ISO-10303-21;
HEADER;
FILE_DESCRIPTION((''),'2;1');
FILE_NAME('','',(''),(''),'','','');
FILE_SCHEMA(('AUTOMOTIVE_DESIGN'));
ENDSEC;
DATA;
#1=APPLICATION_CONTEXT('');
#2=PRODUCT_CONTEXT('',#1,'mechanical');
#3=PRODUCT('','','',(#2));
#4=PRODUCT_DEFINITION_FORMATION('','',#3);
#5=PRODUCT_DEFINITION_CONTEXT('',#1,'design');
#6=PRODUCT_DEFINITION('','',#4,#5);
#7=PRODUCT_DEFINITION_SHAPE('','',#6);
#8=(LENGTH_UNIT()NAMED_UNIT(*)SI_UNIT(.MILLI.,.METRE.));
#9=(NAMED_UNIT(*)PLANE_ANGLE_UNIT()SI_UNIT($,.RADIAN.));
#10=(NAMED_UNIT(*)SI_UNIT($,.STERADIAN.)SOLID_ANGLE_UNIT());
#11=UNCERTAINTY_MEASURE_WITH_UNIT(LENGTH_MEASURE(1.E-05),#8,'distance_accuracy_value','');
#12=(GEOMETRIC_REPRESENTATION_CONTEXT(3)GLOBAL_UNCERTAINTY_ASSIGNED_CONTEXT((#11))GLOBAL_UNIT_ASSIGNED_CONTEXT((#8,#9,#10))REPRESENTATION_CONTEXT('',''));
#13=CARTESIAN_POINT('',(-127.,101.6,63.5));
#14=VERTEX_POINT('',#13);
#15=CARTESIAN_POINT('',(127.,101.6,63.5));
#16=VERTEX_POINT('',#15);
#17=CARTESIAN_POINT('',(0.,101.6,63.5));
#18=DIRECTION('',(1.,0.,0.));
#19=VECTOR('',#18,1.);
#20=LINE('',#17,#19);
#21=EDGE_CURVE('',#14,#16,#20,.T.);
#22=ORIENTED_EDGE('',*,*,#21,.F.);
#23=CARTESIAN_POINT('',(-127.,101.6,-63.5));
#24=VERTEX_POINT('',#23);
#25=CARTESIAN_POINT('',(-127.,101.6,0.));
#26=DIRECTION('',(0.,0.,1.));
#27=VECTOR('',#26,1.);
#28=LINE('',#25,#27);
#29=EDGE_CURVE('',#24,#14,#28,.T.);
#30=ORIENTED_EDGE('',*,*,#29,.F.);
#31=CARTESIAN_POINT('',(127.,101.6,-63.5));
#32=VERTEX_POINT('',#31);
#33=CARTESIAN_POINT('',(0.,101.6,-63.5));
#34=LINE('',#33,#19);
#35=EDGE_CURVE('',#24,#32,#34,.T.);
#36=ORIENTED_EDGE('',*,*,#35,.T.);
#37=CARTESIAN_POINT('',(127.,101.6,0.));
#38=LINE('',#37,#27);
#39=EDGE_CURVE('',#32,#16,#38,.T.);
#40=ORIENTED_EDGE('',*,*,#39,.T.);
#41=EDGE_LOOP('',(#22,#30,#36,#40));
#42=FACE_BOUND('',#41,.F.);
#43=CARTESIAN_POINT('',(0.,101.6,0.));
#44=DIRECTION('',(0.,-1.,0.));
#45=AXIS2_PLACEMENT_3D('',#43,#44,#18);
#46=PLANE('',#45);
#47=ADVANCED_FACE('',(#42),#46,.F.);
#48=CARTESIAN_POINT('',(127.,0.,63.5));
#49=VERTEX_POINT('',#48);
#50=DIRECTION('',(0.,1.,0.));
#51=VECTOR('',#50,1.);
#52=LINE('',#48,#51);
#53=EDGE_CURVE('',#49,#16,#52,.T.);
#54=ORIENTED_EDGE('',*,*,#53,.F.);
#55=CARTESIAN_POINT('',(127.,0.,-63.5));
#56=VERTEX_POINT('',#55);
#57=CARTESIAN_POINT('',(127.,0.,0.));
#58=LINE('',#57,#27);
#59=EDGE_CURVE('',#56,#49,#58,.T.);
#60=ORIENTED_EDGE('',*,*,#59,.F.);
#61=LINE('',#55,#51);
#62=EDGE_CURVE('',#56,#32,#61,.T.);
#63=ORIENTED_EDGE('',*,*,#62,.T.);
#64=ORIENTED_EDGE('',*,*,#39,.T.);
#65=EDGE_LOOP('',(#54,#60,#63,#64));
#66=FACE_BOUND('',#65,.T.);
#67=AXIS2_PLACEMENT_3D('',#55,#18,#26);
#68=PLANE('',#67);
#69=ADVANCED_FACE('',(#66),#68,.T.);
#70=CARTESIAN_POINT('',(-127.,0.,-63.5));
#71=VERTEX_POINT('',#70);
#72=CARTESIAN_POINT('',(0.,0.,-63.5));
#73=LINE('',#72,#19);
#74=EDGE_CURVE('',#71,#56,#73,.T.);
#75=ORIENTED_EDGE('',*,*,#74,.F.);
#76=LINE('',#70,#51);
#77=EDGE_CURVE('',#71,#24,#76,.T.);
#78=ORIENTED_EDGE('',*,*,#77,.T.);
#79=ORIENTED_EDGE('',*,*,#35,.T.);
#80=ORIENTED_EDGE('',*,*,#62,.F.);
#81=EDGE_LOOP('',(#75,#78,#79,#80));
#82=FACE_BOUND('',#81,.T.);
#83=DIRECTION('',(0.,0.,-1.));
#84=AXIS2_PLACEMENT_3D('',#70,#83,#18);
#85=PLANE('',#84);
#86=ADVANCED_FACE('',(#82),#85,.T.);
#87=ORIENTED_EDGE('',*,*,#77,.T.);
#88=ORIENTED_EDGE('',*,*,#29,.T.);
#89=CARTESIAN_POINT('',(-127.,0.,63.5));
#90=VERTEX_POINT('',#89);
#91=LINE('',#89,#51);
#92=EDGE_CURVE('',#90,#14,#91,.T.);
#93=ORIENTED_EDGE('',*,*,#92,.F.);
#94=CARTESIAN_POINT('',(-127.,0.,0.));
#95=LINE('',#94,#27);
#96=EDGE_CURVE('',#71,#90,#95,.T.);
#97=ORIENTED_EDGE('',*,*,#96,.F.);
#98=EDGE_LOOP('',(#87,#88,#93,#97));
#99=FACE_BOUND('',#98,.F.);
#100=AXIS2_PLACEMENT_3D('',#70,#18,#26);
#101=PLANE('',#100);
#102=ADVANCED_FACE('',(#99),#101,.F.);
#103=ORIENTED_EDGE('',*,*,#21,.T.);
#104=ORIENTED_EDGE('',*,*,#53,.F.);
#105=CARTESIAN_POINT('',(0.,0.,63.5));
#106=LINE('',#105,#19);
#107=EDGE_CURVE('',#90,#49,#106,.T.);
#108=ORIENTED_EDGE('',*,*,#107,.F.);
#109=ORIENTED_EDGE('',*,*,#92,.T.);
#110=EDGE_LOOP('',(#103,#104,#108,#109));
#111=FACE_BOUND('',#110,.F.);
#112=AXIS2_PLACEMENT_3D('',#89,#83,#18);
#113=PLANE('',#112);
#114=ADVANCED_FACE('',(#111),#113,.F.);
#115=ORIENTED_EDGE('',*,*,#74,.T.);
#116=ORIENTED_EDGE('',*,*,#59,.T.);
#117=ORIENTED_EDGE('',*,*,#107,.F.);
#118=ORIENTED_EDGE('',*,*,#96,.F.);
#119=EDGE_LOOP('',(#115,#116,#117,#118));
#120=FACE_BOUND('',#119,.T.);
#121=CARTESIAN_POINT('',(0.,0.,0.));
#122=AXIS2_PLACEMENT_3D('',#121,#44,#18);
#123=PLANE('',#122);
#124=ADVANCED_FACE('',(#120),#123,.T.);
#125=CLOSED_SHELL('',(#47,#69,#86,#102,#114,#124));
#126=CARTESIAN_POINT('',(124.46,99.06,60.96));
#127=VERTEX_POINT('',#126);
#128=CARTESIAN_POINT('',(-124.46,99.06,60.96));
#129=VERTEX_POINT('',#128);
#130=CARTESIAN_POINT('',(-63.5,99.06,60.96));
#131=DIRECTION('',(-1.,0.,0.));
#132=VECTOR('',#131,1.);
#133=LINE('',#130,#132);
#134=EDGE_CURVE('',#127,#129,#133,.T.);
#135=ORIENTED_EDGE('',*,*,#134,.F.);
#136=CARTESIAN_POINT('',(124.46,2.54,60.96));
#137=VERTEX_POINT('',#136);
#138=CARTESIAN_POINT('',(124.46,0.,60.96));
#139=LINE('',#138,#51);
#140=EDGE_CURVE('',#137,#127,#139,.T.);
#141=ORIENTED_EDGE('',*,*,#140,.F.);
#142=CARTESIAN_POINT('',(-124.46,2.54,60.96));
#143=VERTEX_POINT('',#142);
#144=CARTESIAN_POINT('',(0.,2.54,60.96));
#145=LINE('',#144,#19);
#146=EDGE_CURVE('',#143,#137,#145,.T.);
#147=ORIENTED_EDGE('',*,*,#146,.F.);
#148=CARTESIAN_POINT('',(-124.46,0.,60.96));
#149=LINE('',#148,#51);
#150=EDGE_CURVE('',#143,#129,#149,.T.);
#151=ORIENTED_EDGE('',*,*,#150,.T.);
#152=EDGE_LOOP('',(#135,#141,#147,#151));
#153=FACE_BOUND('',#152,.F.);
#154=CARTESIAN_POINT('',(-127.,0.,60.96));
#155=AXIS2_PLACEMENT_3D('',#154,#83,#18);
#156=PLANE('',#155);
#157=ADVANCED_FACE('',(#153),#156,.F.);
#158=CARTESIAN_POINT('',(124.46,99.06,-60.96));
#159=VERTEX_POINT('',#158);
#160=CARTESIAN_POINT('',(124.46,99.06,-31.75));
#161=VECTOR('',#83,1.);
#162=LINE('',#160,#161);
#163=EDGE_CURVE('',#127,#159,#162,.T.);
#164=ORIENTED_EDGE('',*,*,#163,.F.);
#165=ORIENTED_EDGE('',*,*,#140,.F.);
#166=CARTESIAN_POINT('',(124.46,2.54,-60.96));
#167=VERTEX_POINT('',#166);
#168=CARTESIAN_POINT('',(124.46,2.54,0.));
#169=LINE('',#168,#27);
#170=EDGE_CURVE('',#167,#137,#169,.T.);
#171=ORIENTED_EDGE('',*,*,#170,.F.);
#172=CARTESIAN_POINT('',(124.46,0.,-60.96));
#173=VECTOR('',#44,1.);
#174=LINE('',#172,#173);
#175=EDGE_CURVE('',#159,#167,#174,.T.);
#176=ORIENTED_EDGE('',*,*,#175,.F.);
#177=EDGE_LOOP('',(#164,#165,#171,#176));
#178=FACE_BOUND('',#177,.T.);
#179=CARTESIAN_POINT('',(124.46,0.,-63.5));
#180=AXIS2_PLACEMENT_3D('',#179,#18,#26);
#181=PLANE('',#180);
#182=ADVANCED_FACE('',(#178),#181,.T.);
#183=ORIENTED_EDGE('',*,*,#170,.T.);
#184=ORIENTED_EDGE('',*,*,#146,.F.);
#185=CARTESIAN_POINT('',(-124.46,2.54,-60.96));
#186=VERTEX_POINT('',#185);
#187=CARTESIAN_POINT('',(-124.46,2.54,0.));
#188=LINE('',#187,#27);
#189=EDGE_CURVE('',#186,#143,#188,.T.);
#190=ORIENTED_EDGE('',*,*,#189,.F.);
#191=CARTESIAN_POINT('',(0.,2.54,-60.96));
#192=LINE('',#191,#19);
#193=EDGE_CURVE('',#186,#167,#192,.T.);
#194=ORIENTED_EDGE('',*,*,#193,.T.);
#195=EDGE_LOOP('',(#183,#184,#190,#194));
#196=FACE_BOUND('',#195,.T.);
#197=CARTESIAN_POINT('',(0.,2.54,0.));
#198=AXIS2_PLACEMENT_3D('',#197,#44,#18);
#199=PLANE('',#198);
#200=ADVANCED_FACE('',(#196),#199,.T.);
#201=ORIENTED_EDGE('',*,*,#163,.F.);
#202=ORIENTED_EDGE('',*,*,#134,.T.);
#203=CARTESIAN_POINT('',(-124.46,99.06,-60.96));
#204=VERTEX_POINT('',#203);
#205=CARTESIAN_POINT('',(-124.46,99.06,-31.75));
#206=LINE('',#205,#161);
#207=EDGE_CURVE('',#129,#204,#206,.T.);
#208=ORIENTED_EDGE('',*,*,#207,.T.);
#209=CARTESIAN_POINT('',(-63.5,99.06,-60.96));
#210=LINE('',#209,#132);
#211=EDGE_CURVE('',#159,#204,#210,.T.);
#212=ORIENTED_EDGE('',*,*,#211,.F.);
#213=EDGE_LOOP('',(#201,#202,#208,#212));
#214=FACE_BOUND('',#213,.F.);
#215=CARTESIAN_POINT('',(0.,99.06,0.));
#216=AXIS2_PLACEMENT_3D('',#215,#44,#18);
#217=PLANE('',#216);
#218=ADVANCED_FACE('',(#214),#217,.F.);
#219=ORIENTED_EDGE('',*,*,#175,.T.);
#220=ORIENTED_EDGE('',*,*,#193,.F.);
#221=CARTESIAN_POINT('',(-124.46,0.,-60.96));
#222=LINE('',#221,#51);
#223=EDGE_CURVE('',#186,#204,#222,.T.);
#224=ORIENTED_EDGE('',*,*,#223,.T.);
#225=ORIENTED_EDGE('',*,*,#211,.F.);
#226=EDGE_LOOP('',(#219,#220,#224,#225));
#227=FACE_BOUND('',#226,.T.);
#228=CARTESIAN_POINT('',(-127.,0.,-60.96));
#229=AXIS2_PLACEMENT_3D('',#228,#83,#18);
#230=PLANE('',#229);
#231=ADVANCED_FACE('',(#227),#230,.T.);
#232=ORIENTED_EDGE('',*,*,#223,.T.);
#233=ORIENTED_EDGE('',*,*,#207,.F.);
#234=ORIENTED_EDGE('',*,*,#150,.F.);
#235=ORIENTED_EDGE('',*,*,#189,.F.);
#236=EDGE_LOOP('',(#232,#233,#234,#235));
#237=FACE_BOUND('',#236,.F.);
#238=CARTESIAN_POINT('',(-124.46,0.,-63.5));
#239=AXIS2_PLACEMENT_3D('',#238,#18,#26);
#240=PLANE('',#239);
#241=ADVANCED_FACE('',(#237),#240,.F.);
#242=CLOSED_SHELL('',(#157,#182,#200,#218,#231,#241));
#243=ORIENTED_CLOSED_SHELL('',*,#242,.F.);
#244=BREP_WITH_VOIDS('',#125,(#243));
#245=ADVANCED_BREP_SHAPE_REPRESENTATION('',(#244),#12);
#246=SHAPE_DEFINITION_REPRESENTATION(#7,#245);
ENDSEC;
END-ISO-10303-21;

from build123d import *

# Parameters (mm, degrees)
F0_W     = 254
F0_H     = 127
F1_DEPTH = 101.6
F2_T     = -2.54
F3_W     = 248.92
F3_H     = 121.92
F4_DEPTH = 2.54


with BuildPart() as f1:
    # F0 (on Front) → F1 (new body)
    with BuildSketch(Plane.XZ):
        Rectangle(F0_W, F0_H)
    extrude(amount=-F1_DEPTH)

    # F2
    f2_openings = [f1.faces().sort_by_distance(p)[0] for p in [
        (0, 0, 0),
    ]]
    offset(amount=F2_T, openings=f2_openings)

    # F3 (on face) → F4 (join)
    with BuildSketch(Plane.XZ):
        Rectangle(F3_W, F3_H)
    extrude(amount=-F4_DEPTH)


solid = f1.part
